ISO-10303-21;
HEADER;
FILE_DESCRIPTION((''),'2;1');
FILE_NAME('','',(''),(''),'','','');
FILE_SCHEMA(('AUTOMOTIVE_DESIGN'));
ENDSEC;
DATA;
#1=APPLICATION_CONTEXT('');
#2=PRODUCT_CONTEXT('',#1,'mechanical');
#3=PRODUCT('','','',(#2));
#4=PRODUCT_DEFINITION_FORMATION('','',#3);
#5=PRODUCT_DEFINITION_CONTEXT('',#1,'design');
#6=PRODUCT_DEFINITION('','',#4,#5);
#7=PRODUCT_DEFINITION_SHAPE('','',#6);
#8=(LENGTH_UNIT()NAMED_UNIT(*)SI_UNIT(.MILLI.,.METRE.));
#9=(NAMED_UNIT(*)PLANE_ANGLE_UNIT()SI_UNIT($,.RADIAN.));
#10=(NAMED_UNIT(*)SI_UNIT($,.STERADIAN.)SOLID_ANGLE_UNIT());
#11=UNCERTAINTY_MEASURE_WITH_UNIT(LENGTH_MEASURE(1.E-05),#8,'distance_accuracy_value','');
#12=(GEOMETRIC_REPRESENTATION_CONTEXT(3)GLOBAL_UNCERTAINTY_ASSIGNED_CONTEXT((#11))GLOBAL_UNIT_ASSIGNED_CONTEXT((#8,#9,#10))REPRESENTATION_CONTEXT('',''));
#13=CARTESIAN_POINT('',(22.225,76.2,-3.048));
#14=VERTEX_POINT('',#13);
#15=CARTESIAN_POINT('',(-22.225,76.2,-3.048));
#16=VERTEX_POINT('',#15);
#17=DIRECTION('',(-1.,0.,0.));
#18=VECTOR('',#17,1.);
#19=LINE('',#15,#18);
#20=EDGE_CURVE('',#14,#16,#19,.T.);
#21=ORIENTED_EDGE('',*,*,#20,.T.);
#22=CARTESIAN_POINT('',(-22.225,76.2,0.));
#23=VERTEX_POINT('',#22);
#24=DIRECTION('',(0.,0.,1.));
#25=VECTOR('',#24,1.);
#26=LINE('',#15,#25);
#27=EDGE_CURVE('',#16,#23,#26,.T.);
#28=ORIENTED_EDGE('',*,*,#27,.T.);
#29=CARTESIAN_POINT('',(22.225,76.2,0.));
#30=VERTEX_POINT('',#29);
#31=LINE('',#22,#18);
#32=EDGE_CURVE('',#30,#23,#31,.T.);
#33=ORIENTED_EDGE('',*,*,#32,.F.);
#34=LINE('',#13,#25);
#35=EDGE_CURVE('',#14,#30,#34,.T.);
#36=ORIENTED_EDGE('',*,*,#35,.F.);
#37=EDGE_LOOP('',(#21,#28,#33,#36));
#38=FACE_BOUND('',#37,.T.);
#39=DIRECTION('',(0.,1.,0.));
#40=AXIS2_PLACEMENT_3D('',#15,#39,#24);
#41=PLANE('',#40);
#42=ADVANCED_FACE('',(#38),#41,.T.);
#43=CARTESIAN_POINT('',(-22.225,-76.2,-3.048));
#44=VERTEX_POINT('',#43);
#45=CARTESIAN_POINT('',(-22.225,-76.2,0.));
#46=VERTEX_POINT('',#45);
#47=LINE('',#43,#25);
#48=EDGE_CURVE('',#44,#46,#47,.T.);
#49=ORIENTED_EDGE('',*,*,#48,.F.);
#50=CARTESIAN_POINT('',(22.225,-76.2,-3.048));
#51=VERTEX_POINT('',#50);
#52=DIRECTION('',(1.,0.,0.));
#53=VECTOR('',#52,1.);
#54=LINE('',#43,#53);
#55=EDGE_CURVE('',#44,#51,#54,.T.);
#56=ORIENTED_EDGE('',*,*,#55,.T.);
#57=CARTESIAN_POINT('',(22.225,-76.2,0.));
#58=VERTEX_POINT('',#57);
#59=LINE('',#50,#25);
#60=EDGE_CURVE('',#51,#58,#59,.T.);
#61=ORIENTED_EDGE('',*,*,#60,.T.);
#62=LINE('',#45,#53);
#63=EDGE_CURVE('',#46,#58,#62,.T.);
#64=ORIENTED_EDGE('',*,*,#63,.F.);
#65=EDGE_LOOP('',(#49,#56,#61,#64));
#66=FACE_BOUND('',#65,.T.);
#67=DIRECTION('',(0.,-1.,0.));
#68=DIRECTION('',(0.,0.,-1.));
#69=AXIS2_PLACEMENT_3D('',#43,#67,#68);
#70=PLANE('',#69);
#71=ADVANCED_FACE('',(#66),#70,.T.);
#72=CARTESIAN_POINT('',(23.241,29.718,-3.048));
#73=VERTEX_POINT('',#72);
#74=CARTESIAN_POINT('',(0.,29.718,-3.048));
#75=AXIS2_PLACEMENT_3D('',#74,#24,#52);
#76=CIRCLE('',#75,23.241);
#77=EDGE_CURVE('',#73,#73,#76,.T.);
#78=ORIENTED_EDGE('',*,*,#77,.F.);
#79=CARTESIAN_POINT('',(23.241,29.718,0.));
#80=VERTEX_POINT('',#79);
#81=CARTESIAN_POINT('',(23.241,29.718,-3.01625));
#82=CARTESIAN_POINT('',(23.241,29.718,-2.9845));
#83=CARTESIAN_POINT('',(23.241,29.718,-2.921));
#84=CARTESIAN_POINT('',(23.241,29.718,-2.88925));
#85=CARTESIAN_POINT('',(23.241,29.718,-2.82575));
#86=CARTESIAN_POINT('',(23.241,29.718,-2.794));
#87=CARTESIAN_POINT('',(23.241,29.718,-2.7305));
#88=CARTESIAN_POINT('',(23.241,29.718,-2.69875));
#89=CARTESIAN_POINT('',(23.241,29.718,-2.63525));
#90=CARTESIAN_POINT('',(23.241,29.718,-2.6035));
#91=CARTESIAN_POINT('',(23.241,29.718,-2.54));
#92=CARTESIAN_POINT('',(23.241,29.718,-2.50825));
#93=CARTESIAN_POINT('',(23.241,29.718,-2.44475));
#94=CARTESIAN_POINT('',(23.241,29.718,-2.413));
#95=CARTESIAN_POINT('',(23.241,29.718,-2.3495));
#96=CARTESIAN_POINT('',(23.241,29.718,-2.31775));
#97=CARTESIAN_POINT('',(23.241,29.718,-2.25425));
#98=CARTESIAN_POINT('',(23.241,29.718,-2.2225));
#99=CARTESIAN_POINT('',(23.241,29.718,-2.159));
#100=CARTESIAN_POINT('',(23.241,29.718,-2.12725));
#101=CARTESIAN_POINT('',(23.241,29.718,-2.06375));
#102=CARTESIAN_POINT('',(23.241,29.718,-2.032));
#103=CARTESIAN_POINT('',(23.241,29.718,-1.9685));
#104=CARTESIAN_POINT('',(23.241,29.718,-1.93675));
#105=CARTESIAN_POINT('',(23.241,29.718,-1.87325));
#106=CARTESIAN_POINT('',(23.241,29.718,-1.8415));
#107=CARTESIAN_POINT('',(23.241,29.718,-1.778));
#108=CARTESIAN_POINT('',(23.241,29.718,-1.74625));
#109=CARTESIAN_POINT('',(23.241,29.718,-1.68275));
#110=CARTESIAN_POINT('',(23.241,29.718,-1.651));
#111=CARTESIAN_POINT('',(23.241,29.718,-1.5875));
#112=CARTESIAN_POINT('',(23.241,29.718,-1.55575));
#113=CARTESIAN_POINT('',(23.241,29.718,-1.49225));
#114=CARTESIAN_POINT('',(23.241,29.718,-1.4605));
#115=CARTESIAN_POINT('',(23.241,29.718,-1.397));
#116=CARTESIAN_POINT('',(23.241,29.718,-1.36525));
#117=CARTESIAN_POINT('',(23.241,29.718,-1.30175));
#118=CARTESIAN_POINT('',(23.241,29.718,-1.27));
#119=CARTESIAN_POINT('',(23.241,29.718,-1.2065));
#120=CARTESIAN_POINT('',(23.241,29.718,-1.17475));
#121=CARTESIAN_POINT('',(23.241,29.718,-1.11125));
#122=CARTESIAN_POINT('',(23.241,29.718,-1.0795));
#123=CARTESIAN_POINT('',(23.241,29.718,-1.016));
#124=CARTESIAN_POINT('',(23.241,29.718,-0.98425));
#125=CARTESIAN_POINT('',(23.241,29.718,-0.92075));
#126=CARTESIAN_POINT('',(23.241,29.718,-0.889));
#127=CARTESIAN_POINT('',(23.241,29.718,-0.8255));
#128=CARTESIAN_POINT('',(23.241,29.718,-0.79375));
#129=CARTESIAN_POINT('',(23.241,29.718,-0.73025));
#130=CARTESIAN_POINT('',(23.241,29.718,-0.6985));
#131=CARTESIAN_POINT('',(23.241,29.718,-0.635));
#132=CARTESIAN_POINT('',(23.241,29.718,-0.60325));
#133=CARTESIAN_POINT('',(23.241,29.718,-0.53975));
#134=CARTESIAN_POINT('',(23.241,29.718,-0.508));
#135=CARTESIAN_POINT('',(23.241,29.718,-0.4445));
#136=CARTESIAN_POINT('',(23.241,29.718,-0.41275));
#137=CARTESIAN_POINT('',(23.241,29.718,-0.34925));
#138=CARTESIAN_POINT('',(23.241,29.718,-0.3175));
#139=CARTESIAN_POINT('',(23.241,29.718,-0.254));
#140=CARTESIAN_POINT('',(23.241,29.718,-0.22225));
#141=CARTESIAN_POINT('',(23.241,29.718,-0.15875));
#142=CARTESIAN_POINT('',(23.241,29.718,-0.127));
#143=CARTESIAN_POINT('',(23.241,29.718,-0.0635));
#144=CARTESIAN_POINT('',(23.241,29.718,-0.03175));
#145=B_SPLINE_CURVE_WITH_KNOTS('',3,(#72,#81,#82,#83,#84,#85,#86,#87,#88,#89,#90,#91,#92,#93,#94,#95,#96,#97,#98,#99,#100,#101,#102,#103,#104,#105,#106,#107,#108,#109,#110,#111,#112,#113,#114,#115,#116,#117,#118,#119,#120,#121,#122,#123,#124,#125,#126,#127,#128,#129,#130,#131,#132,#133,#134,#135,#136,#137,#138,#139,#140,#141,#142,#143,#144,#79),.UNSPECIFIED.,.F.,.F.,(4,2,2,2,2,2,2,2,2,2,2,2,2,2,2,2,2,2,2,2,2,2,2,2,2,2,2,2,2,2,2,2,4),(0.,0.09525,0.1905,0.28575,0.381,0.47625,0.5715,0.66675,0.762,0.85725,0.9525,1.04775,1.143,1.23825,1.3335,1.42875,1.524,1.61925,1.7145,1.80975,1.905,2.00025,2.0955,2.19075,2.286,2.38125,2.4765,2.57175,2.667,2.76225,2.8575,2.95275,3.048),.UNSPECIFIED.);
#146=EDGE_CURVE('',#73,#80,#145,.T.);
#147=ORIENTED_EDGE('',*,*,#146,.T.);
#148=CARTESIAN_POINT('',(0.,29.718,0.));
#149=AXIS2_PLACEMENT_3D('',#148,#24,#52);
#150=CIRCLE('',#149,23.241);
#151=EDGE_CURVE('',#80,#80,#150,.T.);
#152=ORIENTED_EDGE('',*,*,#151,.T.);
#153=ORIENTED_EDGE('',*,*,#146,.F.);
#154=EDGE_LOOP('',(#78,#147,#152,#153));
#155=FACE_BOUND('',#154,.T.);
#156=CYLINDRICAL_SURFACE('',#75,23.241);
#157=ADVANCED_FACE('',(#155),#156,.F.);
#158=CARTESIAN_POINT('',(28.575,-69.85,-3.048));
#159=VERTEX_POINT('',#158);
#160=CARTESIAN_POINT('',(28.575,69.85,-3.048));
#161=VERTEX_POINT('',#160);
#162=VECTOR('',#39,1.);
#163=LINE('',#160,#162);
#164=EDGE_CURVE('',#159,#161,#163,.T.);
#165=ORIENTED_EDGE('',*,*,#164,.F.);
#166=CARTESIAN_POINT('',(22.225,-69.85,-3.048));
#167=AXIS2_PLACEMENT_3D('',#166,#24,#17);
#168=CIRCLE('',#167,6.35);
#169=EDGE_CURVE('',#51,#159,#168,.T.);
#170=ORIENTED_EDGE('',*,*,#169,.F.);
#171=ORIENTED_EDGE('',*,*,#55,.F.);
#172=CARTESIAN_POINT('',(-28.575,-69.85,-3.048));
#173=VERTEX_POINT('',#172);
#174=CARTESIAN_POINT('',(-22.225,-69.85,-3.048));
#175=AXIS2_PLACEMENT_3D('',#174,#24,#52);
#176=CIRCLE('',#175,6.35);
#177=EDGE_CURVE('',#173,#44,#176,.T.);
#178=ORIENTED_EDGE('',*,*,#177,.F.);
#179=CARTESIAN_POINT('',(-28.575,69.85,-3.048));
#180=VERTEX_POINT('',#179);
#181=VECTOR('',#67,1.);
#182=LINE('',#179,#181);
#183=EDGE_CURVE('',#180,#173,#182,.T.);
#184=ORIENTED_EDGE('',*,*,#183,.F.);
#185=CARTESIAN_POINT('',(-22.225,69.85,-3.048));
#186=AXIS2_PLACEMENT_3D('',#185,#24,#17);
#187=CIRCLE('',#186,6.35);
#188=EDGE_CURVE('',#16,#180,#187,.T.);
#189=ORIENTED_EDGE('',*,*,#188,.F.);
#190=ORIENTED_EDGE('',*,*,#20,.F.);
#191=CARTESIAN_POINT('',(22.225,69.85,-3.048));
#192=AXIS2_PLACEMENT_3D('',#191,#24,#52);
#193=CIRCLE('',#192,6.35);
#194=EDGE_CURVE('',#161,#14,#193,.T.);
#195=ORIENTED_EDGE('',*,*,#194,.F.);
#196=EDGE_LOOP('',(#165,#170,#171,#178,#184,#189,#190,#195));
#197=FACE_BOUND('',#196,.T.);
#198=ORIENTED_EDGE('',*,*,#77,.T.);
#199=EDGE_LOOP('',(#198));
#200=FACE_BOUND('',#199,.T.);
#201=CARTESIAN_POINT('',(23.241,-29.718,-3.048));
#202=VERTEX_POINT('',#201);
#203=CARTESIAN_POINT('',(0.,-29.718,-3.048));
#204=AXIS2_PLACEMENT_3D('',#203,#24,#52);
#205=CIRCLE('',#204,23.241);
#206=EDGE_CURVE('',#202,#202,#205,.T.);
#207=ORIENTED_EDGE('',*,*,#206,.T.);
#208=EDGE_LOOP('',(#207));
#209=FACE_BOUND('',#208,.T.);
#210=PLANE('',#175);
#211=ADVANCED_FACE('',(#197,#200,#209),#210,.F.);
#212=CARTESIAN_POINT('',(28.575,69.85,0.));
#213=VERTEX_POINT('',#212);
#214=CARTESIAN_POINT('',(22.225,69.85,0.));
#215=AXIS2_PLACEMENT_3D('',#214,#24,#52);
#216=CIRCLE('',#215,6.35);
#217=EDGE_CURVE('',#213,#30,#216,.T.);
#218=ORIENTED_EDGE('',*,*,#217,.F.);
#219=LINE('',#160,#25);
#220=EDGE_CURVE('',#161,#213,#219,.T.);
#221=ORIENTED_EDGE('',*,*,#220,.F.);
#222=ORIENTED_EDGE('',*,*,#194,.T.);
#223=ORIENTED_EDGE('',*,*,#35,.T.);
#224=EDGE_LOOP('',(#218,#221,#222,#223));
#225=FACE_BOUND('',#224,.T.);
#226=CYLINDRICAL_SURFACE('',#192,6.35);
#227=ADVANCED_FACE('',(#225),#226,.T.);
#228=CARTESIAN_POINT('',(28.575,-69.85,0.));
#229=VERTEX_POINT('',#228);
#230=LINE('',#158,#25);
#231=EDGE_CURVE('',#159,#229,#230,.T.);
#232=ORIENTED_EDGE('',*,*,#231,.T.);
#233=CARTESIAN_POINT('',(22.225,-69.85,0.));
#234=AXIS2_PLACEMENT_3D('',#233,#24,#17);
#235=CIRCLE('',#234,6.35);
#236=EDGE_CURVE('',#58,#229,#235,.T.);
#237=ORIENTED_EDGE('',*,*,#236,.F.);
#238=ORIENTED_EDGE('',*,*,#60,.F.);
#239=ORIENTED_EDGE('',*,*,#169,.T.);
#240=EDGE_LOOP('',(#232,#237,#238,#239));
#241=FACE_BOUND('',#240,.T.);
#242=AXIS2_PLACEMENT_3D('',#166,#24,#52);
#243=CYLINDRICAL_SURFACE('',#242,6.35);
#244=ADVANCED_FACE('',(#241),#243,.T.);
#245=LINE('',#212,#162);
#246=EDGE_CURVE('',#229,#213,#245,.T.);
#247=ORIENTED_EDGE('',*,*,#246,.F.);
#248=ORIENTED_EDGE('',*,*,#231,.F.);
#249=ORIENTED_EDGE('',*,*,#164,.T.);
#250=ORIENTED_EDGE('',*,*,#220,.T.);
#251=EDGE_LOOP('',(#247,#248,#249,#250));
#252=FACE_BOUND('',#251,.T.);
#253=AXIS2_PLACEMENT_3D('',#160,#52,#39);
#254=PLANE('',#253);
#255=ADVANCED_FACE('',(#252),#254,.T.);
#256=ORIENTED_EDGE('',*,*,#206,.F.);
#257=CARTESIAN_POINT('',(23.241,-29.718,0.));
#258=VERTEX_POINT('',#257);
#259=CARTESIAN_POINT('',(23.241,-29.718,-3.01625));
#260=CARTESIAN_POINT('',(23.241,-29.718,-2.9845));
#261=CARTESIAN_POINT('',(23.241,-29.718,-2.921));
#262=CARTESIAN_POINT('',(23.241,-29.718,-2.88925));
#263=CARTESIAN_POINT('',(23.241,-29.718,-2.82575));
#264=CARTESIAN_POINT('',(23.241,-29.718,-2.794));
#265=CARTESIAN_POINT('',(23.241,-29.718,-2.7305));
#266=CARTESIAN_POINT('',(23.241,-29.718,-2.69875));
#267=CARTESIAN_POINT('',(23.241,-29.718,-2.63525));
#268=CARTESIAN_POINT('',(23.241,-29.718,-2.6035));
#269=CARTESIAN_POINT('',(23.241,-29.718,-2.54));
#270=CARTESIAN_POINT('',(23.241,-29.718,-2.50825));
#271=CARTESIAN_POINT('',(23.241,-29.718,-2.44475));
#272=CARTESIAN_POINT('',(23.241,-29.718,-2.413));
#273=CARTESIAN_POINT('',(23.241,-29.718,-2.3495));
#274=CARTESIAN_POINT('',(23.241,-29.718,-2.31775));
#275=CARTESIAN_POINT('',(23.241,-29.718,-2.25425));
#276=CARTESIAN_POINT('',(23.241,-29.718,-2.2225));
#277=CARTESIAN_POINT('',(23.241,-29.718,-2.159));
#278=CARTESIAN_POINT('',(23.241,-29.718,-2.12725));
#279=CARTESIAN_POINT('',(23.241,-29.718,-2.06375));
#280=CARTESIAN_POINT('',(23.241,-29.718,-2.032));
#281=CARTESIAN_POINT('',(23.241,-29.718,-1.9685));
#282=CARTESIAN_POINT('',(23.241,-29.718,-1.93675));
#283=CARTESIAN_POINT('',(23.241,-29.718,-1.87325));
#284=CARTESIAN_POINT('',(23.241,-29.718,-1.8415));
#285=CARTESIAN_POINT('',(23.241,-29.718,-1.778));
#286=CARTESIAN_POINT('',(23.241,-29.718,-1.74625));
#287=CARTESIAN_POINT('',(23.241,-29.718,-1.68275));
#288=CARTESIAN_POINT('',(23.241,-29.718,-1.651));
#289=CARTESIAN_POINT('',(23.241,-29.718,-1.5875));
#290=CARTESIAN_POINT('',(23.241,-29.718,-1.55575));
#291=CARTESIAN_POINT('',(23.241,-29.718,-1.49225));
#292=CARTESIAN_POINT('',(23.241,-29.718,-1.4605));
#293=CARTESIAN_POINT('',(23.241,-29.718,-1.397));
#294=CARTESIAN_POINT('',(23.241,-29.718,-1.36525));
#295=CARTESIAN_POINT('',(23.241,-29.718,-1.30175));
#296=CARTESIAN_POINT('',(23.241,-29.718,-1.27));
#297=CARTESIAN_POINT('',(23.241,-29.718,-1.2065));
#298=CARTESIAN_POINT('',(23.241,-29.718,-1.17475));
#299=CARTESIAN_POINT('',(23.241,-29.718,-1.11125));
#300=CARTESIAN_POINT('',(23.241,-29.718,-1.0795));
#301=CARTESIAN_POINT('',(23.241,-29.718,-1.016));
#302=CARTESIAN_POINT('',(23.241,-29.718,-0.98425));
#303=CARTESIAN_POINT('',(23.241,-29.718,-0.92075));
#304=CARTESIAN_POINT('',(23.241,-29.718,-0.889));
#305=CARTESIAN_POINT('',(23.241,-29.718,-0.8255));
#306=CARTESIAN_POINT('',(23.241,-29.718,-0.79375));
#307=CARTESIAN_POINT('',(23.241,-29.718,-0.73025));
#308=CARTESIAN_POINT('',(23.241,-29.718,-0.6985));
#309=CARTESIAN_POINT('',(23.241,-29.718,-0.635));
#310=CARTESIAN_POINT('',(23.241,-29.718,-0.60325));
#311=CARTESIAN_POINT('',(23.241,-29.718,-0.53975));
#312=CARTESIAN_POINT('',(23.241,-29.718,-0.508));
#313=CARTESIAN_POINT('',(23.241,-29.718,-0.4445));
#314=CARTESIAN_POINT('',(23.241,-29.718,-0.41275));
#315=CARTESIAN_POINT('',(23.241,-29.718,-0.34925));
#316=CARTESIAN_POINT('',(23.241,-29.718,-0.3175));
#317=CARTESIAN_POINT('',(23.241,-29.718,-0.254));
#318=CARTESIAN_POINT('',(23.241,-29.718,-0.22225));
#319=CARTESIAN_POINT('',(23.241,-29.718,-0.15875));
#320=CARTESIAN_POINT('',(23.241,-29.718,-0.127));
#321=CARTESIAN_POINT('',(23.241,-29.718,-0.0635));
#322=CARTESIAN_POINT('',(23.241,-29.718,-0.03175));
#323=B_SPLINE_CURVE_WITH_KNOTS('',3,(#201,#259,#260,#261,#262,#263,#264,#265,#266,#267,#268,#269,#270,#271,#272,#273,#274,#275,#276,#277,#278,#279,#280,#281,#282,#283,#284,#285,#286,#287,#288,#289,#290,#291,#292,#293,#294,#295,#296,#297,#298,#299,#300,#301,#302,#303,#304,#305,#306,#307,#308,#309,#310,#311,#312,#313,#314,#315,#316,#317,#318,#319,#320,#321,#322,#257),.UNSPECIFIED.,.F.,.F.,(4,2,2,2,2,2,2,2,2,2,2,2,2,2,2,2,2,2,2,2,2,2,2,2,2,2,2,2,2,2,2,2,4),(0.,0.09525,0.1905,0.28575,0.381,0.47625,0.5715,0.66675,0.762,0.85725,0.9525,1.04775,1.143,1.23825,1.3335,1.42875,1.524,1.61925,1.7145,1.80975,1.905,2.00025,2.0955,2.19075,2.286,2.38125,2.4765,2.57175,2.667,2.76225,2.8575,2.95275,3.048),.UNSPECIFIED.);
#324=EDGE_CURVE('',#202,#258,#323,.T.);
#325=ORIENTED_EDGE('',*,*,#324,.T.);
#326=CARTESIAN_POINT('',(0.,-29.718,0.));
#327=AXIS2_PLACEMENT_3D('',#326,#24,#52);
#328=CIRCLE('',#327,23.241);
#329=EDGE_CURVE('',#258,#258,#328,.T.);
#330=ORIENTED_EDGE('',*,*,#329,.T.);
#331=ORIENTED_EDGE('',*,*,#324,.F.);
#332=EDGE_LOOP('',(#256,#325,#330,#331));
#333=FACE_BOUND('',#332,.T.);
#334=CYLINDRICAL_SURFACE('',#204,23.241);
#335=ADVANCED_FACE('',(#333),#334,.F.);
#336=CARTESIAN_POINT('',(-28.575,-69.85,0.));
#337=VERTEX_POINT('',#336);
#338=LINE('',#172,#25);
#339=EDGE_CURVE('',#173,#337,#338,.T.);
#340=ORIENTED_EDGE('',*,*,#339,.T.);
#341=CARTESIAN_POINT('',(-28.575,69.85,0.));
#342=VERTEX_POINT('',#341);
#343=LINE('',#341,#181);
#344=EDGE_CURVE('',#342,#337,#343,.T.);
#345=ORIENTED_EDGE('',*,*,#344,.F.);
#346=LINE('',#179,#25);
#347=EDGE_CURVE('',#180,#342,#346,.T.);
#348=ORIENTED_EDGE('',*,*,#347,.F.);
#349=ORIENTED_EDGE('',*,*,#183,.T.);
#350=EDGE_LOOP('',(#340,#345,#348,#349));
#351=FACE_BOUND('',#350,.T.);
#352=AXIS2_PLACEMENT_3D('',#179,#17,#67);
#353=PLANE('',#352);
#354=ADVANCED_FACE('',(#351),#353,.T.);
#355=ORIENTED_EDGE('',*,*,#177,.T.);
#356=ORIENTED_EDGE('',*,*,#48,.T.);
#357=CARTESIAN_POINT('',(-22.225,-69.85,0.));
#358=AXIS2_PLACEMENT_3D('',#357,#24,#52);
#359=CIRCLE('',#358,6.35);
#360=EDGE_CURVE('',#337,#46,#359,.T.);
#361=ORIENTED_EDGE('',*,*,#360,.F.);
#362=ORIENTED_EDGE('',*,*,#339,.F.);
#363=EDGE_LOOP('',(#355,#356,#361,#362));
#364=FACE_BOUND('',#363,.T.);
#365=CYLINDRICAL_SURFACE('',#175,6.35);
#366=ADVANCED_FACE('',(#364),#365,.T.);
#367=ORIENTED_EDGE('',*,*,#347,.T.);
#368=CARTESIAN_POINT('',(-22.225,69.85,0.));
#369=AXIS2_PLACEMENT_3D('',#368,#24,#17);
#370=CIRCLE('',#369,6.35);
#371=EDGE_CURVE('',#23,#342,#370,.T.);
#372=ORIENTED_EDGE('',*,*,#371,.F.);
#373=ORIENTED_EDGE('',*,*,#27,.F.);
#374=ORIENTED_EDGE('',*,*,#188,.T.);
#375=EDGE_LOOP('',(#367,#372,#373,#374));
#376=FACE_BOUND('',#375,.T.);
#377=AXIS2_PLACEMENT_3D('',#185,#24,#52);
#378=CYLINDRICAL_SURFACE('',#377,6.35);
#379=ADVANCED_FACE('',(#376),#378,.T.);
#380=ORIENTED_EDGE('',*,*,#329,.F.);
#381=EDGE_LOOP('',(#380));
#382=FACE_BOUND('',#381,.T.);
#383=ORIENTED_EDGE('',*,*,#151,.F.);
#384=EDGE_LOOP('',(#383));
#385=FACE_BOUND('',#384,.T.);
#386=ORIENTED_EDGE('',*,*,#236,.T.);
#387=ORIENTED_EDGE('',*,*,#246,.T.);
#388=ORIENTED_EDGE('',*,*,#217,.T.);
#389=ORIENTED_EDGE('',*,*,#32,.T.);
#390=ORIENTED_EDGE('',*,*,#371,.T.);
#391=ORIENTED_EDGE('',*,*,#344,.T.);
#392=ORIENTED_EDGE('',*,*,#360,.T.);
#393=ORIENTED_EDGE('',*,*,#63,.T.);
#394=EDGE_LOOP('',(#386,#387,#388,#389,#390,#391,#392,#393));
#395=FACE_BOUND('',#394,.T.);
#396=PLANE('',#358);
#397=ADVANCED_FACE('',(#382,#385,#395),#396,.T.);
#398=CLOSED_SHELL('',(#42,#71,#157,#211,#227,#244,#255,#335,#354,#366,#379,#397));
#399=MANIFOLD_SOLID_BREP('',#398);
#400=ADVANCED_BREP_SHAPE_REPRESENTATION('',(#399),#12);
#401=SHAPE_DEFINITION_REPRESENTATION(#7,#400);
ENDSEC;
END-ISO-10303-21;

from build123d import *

# Parameters (mm, degrees)
SKETCH1_R           = 23.241
BOSS_EXTRUDE1_DEPTH = 3.048


with BuildPart() as part:
    # Sketch1 → Boss-Extrude1 (new body)
    with BuildSketch(Plane.XY):
        with BuildLine():
            Line((-22.225, 76.2), (22.225, 76.2))
            ThreePointArc((22.225, 76.2), (26.715128061, 74.340128061), (28.575, 69.85))
            Line((28.575, 69.85), (28.575, -69.85))
            ThreePointArc((28.575, -69.85), (26.715128061, -74.340128061), (22.225, -76.2))
            Line((22.225, -76.2), (-22.225, -76.2))
            ThreePointArc((-22.225, -76.2), (-26.715128061, -74.340128061), (-28.575, -69.85))
            Line((-28.575, -69.85), (-28.575, 69.85))
            ThreePointArc((-28.575, 69.85), (-26.715128061, 74.340128061), (-22.225, 76.2))
        make_face()
        with Locations((0, 29.718)):
            Circle(SKETCH1_R, mode=Mode.SUBTRACT)
        with Locations((0, -29.718)):
            Circle(SKETCH1_R, mode=Mode.SUBTRACT)
    extrude(amount=-BOSS_EXTRUDE1_DEPTH)


solid = part.part
